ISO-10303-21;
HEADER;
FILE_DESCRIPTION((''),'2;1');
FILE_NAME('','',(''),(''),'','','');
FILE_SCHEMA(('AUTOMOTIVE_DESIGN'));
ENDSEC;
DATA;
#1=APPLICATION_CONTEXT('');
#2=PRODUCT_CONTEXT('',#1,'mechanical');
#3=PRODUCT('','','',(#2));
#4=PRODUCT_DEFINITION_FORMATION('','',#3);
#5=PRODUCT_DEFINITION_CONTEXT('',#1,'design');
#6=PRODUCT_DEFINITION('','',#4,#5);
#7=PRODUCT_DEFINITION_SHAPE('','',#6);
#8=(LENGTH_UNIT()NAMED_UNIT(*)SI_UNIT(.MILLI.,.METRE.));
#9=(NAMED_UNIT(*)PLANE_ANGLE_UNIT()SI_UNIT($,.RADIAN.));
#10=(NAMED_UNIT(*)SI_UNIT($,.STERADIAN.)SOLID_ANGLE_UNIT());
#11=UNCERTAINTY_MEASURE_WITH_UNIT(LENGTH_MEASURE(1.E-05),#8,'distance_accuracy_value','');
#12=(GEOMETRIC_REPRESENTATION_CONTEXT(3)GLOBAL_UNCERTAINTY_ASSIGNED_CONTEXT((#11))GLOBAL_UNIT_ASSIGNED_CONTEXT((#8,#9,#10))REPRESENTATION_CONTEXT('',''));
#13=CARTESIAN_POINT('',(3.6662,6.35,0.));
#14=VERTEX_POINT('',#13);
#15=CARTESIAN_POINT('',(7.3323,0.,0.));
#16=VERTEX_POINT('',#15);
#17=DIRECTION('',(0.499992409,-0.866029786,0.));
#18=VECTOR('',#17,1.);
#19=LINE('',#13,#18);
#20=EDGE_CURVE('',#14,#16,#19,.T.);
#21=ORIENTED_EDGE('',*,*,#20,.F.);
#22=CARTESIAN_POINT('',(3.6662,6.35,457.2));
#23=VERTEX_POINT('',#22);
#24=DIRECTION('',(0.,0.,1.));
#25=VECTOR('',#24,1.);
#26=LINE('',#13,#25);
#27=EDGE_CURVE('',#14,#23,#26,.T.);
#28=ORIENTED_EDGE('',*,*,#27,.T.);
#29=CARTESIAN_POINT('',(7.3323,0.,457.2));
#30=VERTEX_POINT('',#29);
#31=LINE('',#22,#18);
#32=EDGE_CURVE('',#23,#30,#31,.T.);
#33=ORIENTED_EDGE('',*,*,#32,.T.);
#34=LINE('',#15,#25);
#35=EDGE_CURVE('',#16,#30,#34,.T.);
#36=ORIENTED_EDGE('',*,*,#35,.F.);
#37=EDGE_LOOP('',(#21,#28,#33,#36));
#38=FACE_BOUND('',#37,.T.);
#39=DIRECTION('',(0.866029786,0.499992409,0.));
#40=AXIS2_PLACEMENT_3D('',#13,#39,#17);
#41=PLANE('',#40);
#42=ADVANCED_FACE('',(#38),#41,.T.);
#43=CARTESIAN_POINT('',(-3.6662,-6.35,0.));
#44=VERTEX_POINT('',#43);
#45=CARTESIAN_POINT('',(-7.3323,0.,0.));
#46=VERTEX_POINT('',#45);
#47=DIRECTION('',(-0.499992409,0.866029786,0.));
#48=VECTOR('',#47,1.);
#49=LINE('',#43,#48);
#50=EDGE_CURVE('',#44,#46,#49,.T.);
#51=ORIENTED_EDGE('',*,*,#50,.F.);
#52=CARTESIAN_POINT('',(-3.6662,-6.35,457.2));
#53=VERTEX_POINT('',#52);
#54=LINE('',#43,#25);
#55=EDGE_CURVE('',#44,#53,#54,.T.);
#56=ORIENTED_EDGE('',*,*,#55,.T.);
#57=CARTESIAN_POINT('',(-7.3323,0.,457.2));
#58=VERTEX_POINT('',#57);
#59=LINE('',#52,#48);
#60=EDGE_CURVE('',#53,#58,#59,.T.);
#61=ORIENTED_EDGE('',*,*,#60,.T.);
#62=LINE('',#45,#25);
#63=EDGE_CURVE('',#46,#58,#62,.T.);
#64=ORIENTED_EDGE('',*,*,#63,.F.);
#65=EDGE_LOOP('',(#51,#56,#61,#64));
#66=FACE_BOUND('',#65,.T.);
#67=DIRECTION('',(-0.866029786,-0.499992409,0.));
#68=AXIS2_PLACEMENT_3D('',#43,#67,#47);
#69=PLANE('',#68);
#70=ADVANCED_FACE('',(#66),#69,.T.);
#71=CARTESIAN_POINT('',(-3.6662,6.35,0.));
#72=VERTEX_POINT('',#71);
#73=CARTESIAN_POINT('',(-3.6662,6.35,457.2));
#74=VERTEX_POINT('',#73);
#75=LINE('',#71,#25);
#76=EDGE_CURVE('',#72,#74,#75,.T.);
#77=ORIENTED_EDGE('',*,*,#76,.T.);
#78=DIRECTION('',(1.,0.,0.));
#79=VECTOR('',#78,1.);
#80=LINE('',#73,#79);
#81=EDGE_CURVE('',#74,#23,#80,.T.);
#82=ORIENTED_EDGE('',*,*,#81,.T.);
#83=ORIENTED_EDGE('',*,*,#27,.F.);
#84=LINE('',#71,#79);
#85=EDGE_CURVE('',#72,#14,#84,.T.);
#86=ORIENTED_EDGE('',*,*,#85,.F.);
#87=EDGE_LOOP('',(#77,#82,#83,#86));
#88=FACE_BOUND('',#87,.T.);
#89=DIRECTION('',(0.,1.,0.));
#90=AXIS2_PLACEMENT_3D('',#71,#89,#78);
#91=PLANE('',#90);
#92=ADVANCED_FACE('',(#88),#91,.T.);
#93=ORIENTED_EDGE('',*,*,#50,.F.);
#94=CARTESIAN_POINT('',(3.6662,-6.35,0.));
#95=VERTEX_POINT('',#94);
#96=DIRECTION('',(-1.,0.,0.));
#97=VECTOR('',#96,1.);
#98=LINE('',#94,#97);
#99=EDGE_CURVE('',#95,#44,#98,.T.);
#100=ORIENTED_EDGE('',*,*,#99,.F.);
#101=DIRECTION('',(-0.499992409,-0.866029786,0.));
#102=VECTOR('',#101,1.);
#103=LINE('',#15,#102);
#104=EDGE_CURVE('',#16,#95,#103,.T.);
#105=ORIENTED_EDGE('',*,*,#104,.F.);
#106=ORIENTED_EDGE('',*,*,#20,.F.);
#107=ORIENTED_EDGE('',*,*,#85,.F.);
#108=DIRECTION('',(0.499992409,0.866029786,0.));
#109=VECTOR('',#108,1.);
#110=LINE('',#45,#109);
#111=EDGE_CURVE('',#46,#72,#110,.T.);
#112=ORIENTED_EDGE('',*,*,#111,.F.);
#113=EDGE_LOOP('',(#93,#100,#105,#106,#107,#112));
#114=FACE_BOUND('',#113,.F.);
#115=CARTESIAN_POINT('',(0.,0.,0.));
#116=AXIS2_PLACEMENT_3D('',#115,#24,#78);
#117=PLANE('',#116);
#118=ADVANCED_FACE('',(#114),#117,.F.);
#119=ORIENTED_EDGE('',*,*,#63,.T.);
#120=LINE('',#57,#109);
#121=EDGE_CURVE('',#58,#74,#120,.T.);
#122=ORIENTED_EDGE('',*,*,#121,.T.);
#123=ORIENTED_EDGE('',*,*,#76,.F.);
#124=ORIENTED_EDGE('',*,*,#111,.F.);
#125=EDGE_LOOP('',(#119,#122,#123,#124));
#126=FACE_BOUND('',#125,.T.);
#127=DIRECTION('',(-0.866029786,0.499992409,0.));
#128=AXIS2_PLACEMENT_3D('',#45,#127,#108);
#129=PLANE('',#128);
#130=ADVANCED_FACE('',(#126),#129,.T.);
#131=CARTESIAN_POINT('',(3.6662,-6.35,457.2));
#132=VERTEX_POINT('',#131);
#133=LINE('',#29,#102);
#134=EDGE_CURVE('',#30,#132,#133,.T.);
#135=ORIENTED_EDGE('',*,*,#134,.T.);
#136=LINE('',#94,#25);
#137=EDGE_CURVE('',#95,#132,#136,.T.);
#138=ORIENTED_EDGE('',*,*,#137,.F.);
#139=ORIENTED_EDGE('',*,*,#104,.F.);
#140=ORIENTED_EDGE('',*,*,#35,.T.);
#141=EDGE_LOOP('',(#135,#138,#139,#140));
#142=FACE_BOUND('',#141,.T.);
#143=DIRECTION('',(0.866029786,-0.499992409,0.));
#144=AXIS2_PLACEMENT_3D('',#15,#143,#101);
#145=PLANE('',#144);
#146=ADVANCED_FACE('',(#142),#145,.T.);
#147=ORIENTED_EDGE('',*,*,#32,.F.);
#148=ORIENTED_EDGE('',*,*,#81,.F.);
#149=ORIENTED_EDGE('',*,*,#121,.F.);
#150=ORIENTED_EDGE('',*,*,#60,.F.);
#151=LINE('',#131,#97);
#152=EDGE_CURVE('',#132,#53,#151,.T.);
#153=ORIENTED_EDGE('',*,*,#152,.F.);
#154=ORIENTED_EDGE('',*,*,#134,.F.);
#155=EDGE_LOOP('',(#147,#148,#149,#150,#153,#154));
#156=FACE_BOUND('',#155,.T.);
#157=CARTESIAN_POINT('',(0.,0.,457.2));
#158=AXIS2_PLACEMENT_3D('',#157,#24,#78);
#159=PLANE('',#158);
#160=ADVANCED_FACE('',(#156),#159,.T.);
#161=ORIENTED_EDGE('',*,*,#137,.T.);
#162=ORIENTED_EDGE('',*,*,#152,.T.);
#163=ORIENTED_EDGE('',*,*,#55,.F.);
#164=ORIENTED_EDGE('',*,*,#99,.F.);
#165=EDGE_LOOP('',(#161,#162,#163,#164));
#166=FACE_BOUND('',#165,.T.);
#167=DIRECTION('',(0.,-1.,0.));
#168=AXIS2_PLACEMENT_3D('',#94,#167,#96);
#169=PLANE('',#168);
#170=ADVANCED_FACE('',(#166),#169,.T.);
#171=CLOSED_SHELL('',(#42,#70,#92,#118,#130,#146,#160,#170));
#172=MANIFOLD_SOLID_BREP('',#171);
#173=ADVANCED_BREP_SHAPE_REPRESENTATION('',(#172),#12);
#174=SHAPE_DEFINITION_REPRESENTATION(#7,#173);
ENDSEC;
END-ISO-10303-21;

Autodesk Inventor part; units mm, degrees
ref_plane "YZ Plane" through (0, 0, 0) normal (1, 0, 0) x (0, 1, 0)
ref_plane "XZ Plane" through (0, 0, 0) normal (0, 1, 0) x (-1, 0, 0)
ref_plane "XY Plane" through (0, 0, 0) normal (0, 0, 1) x (1, 0, 0)
sketch "Sketch1" plane through (0, 0, 0) normal (0, 0, 1) x (1, 0, 0)
  line L0 (-3.6662, 6.35) -> (3.6662, 6.35)
  line L1 (3.6662, 6.35) -> (7.3323, 0)
  line L2 (7.3323, 0) -> (3.6662, -6.35)
  line L3 (3.6662, -6.35) -> (-3.6662, -6.35)
  line L4 (-3.6662, -6.35) -> (-7.3323, 0)
  line L5 (-7.3323, 0) -> (-3.6662, 6.35)
  point P0 (0, 0)
  point P1 (0, 0)
  dimension "d0" = 12.7
extrude "Extrusion1" add sketch "Sketch1" along normal blind 457.2
properties part number "hex axle for elevator"
